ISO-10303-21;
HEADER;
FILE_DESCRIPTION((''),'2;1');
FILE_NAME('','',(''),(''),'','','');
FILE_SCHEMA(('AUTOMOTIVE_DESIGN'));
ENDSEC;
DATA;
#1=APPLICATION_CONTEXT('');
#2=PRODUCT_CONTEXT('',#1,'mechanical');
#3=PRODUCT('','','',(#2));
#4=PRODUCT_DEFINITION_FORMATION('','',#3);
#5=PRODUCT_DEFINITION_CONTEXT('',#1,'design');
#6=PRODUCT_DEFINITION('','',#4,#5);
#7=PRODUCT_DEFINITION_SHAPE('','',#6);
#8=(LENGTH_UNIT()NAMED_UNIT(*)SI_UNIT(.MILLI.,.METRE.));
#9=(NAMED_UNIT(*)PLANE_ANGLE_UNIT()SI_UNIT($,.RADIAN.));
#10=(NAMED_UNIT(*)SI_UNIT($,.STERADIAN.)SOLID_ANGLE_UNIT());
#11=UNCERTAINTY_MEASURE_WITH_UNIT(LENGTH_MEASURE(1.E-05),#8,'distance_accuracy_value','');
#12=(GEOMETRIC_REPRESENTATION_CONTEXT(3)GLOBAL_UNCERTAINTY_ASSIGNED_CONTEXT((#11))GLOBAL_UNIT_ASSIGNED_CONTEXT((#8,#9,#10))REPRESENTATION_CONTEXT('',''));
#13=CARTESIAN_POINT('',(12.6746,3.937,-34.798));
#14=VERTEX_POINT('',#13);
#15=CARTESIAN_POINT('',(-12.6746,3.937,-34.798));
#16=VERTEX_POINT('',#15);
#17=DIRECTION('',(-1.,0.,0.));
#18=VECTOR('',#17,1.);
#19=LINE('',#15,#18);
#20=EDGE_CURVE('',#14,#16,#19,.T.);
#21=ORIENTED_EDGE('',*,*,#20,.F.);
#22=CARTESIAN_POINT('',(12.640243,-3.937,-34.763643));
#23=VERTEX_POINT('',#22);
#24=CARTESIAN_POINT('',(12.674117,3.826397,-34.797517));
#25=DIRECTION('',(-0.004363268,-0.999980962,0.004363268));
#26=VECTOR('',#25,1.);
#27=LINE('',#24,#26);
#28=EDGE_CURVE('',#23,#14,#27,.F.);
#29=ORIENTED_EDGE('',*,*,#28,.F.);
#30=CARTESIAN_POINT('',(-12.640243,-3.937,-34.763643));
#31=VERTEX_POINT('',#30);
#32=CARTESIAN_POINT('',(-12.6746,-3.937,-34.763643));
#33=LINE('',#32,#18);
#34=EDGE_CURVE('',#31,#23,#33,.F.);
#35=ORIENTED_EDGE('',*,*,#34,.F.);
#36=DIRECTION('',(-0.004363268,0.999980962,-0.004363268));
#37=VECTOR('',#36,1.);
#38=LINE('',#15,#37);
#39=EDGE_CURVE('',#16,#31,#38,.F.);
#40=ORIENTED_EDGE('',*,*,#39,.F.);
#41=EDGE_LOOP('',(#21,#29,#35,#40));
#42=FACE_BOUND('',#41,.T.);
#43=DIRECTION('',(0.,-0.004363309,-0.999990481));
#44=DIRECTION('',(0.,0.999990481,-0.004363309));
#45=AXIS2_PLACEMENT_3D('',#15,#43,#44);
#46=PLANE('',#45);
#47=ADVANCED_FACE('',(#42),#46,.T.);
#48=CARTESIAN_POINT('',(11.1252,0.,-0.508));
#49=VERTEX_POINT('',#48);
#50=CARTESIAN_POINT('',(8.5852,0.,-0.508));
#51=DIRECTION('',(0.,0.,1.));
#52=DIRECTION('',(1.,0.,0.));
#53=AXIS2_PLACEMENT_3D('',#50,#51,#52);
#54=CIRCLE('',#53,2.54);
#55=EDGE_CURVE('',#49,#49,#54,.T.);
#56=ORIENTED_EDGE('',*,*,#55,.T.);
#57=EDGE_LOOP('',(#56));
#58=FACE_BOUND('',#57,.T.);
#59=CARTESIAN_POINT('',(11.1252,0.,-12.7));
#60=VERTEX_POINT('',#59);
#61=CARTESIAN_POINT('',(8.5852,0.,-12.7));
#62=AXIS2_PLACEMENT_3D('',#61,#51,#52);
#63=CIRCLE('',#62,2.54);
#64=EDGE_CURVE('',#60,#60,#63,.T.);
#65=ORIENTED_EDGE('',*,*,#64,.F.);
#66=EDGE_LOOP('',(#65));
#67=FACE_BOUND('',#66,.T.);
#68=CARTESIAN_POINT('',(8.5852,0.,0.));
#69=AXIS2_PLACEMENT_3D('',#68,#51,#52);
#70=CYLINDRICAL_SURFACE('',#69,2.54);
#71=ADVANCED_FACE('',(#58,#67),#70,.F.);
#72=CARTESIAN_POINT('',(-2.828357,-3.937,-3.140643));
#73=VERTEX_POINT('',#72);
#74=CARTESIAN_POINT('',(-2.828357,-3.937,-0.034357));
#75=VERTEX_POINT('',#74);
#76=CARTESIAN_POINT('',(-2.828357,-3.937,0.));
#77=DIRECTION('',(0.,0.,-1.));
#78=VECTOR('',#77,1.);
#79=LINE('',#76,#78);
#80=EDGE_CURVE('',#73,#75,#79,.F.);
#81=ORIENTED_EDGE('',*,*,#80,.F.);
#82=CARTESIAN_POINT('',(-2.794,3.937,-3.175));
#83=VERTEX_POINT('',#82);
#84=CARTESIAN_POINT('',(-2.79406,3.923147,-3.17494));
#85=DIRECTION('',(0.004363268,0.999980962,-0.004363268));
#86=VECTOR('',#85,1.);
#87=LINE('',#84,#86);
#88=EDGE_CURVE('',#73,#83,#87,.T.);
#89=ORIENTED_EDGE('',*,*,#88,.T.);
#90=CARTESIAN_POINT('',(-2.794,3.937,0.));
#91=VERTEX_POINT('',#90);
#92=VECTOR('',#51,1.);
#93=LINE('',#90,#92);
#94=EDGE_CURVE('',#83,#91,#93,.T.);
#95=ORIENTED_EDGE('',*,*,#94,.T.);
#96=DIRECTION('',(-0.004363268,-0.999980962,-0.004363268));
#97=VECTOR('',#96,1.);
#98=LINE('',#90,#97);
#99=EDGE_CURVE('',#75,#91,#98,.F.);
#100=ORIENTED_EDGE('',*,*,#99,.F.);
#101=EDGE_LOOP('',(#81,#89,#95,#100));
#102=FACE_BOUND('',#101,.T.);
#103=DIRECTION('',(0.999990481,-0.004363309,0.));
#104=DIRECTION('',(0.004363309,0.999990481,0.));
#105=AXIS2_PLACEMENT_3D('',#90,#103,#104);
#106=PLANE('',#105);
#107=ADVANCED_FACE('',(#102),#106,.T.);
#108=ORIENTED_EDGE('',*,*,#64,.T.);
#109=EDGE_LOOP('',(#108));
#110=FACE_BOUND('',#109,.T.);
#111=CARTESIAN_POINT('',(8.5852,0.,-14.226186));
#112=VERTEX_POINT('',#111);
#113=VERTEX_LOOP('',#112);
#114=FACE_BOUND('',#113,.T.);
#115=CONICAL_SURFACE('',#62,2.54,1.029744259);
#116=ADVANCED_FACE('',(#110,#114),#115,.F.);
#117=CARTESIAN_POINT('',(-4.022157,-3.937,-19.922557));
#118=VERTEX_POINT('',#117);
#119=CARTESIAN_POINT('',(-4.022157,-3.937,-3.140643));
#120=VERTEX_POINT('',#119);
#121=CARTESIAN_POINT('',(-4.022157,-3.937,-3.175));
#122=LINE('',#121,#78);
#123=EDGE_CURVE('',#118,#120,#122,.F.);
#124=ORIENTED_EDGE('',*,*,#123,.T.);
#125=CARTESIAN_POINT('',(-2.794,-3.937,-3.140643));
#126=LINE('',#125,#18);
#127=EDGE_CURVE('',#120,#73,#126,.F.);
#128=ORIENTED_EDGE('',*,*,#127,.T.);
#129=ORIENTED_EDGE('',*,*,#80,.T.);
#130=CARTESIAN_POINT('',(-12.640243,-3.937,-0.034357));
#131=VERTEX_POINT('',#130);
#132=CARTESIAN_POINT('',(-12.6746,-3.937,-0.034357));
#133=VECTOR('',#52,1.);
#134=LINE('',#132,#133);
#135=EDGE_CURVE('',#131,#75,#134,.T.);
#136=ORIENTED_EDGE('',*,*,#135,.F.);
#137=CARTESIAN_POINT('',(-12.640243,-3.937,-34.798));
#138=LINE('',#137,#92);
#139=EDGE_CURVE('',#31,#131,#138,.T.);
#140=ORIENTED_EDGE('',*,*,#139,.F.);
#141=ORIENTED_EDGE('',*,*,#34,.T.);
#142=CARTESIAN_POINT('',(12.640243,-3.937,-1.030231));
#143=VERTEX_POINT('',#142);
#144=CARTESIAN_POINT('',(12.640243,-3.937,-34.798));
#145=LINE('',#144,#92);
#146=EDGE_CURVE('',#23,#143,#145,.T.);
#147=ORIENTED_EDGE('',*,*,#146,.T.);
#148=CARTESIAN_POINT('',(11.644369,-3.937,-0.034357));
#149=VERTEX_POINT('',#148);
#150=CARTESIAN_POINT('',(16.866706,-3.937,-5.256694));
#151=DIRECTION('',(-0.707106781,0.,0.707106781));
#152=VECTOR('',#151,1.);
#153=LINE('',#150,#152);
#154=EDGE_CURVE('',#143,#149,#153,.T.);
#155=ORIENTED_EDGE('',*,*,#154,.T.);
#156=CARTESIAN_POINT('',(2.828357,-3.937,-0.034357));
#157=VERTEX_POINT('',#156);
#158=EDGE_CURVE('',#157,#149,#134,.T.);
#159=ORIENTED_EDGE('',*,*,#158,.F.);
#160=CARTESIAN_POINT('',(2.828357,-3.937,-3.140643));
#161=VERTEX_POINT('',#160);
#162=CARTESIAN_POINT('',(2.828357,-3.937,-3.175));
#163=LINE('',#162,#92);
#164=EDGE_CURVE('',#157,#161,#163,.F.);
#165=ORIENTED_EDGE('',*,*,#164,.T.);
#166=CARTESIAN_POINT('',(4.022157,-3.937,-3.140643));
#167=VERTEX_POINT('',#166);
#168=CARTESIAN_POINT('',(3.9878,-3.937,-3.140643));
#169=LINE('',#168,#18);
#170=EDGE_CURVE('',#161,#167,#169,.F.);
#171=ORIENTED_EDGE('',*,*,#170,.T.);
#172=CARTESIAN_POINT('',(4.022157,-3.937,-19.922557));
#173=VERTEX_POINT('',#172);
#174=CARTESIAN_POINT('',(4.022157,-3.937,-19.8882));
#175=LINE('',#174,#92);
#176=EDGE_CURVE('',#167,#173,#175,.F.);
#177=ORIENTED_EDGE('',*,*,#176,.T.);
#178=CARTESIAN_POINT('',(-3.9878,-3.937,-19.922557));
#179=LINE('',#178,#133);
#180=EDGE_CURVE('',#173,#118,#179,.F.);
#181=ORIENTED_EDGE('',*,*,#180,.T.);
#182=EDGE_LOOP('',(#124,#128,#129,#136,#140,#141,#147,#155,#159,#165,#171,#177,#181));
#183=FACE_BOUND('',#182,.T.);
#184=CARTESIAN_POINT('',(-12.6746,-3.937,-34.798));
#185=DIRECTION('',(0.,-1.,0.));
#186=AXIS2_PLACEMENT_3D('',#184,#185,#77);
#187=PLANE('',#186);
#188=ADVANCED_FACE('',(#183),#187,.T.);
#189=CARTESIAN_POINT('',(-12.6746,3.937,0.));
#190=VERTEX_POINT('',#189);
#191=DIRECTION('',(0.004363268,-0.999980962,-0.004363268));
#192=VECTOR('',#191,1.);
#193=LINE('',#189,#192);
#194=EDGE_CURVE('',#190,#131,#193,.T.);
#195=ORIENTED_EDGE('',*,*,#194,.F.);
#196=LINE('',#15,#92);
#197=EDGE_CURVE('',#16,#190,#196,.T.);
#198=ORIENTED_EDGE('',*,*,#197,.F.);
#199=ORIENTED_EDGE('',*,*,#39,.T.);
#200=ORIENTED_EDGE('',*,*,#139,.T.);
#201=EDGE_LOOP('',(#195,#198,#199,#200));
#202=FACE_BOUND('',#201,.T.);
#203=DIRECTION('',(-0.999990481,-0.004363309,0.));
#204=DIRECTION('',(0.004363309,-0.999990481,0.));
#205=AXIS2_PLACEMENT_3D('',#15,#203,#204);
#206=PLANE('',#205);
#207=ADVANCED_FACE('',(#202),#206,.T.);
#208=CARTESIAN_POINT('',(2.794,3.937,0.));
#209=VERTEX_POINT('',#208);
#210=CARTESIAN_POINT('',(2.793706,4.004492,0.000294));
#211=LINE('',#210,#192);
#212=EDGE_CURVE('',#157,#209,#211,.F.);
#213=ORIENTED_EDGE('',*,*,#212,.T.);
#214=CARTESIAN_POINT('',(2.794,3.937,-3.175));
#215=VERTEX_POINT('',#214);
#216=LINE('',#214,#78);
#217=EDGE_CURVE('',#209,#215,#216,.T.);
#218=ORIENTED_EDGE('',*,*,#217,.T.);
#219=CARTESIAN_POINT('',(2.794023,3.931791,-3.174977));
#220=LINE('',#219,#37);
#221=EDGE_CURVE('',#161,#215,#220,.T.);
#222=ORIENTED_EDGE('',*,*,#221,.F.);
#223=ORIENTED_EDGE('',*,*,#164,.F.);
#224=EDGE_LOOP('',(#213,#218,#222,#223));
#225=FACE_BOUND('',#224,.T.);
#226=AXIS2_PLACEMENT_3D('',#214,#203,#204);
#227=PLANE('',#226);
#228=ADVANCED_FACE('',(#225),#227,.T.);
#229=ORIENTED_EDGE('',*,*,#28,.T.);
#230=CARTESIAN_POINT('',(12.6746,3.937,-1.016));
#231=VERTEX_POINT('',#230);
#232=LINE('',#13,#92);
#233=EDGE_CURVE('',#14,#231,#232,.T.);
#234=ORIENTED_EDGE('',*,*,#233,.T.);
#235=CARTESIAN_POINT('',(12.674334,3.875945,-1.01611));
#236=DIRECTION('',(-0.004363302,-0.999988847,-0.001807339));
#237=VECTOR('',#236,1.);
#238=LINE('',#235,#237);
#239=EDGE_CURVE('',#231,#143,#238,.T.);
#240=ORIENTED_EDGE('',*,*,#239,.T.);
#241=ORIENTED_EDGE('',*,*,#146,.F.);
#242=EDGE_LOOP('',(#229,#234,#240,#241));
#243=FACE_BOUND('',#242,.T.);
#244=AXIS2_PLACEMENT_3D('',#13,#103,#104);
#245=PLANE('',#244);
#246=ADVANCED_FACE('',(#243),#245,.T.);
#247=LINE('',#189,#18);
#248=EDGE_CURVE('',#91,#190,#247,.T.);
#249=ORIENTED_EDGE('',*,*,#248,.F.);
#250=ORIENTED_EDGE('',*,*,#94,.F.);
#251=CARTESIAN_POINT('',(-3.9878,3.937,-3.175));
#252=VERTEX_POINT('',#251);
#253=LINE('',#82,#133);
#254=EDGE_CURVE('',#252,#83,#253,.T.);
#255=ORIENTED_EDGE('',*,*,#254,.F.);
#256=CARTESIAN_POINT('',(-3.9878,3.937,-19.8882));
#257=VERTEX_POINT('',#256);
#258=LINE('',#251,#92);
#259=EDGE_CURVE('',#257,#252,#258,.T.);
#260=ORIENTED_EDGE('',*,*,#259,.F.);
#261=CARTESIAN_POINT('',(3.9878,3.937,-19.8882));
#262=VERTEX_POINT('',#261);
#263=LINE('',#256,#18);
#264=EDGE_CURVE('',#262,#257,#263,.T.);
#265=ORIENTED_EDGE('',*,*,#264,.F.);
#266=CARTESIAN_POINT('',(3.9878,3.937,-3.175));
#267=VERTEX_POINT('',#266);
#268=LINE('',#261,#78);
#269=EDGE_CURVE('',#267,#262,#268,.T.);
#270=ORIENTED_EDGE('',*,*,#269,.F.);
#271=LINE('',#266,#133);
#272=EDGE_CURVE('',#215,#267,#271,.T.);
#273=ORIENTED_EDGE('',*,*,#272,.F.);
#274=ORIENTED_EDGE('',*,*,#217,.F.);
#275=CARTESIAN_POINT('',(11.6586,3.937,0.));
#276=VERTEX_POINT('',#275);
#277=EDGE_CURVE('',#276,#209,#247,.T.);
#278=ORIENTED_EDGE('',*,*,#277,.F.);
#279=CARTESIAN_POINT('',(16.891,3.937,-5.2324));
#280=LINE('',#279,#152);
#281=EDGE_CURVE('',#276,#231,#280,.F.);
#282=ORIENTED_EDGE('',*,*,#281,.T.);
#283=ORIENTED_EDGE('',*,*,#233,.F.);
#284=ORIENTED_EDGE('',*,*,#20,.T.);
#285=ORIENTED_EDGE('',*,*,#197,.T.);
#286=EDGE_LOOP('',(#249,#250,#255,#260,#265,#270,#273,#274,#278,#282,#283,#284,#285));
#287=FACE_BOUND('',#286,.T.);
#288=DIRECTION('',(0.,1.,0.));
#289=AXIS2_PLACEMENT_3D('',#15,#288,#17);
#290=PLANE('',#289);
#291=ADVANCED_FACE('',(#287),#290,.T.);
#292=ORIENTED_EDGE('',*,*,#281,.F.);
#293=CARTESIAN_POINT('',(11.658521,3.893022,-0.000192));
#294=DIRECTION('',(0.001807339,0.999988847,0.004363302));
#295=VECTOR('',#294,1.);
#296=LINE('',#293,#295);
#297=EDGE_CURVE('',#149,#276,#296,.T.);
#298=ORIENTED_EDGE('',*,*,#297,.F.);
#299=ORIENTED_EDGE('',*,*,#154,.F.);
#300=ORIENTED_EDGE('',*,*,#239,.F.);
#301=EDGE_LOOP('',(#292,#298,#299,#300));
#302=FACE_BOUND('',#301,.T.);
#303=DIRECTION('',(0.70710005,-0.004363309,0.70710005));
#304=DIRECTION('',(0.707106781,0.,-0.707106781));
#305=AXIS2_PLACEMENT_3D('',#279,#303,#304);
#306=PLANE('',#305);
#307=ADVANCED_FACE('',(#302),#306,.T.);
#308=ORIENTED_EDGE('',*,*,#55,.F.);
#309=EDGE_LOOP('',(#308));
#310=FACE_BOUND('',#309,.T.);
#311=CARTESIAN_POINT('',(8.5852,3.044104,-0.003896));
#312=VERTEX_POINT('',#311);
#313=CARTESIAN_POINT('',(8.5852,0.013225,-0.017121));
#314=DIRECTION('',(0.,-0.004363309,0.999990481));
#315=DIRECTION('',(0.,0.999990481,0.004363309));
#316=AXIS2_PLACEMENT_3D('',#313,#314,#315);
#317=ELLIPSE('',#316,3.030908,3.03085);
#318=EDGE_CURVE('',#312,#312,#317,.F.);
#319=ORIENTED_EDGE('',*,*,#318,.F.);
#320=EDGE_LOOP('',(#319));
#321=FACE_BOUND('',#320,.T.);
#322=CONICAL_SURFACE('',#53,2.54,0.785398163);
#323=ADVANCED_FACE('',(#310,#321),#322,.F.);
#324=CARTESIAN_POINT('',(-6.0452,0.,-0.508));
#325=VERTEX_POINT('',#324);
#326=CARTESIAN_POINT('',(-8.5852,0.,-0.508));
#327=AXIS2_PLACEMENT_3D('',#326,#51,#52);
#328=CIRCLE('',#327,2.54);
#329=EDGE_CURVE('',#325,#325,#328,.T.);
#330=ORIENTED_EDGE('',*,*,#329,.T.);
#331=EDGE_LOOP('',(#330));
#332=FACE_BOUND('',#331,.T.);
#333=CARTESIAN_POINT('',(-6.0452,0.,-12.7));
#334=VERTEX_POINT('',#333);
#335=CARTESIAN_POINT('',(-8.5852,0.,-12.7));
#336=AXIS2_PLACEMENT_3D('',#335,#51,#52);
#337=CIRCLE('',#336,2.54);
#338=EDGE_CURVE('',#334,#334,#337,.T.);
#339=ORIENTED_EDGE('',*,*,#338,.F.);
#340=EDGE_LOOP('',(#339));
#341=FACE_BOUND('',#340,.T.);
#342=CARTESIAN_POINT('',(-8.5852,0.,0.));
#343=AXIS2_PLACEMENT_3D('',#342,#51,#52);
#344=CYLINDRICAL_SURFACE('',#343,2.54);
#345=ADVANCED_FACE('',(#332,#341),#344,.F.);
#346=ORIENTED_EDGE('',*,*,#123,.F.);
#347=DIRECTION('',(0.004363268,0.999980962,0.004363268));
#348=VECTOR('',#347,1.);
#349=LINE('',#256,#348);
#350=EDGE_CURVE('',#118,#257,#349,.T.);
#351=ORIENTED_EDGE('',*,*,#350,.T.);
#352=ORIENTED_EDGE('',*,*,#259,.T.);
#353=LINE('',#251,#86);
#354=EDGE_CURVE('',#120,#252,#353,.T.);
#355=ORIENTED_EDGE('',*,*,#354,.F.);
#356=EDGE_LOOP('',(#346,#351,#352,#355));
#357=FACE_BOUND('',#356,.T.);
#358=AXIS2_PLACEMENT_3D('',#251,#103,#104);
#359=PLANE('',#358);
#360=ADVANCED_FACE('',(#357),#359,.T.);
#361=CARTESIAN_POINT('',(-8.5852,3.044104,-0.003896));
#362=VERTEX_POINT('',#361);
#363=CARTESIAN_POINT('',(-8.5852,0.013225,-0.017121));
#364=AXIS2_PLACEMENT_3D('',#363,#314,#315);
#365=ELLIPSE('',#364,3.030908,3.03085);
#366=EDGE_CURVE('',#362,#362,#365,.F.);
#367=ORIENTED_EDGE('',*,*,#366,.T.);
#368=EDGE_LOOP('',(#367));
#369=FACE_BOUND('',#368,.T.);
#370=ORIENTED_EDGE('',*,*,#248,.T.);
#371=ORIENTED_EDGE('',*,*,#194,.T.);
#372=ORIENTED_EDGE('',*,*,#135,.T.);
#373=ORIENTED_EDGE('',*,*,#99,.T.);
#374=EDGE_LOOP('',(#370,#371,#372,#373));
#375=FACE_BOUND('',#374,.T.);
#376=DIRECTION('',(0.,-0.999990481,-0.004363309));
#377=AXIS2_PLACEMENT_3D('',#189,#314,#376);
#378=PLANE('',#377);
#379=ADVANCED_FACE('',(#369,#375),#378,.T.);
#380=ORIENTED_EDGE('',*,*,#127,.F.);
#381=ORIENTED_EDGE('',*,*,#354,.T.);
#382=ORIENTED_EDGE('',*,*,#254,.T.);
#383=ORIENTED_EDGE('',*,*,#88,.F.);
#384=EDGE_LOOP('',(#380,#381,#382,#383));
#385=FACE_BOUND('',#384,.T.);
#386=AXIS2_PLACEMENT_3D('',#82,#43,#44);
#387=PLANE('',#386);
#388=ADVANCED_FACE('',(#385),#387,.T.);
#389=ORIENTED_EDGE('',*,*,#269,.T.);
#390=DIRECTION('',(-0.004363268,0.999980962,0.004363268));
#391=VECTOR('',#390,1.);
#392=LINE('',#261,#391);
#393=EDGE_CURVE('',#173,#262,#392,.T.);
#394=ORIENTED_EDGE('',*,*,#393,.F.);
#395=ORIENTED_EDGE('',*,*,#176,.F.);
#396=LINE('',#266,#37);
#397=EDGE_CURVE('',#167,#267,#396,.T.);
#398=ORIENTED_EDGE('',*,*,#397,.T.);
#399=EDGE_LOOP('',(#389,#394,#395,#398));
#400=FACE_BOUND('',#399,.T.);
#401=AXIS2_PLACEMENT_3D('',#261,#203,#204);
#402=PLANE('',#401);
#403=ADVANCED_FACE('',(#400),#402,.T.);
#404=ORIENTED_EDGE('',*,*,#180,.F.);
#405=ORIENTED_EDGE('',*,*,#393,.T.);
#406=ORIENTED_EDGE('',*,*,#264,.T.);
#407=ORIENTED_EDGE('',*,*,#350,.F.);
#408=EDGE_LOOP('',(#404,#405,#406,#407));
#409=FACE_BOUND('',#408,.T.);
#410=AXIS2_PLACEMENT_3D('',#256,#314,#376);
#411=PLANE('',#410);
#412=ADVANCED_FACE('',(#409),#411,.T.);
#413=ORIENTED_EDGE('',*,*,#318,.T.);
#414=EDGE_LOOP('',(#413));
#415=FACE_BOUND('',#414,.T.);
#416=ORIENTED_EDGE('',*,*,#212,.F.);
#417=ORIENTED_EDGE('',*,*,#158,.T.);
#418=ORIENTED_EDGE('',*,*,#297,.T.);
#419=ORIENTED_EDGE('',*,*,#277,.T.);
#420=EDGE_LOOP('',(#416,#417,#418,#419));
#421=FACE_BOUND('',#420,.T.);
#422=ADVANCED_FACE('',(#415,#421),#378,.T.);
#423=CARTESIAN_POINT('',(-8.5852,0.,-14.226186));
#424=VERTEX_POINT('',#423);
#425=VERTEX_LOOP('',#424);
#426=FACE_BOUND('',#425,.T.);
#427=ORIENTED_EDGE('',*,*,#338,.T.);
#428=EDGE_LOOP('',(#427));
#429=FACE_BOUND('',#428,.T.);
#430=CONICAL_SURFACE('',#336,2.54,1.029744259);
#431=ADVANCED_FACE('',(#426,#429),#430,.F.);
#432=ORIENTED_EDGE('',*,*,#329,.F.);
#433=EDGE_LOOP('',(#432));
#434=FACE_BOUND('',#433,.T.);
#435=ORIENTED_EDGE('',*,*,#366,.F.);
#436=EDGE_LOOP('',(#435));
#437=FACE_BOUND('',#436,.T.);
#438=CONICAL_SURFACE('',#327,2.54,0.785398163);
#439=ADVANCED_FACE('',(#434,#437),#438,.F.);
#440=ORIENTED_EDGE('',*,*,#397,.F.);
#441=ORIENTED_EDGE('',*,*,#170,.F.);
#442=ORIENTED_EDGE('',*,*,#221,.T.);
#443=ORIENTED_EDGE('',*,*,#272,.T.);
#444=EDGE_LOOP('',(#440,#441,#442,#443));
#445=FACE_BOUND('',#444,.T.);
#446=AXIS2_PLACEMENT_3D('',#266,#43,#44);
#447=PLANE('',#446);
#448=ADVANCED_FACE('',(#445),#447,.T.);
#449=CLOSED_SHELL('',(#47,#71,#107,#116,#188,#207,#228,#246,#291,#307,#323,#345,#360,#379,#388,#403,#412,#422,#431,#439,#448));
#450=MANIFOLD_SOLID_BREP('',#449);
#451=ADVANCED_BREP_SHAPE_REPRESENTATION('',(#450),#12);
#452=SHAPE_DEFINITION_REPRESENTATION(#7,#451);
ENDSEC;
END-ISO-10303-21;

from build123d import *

# Parameters (mm, degrees)
SKETCH1_W                        = 25.3492
SKETCH1_H                        = 7.874
BOSS_EXTRUDE1_DEPTH              = 34.798
CUT_EXTRUDE1_DEPTH               = 8.874
F_97_0_0059_DIAMETER_HOLE1_D     = 5.08
F_97_0_0059_DIAMETER_HOLE1_DEPTH = 12.7
F_97_0_0059_DIAMETER_HOLE1_TIP   = 1.526185972
CHAMFER1_SIZE                    = 0.508
CHAMFER2_SIZE                    = 1.016
DRAFT1_ANGLE                     = -0.25


with BuildPart() as part:
    # Sketch1 → Boss-Extrude1 (new body)
    with BuildSketch(Plane.XY):
        Rectangle(SKETCH1_W, SKETCH1_H)
    extrude(amount=-BOSS_EXTRUDE1_DEPTH)

    # Sketch2 → Cut-Extrude1 (cut, through all)
    with BuildSketch(Plane(origin=(0, 3.937, 0), x_dir=(1, 0, 0), z_dir=(0, 1, 0))):
        Polygon((-2.794, 0), (-2.794, 3.175), (-3.9878, 3.175), (-3.9878, 19.8882), (3.9878, 19.8882), (3.9878, 3.175), (2.794, 3.175), (2.794, 0), align=None)
    extrude(amount=-CUT_EXTRUDE1_DEPTH, mode=Mode.SUBTRACT)

    # #97 (0.0059) Diameter Hole1
    with Locations(Plane.XY):
        with Locations((-8.5852, 0), (8.5852, 0)):
            Hole(F_97_0_0059_DIAMETER_HOLE1_D / 2, depth=F_97_0_0059_DIAMETER_HOLE1_DEPTH)
            with Locations((0, 0, -(F_97_0_0059_DIAMETER_HOLE1_DEPTH + F_97_0_0059_DIAMETER_HOLE1_TIP / 2))):  # 118° drill point
                Cone(0, F_97_0_0059_DIAMETER_HOLE1_D / 2, F_97_0_0059_DIAMETER_HOLE1_TIP, mode=Mode.SUBTRACT)

    # Chamfer1
    chamfer1_edges = [part.edges().sort_by_distance(p)[0] for p in [
        (11.1252, 0, 0),
        (-6.0452, 0, 0),
    ]]
    chamfer(chamfer1_edges, length=CHAMFER1_SIZE)

    # Chamfer2
    chamfer2_edges = [part.edges().sort_by_distance(p)[0] for p in [
        (12.6746, 0, 0),
    ]]
    chamfer(chamfer2_edges, length=CHAMFER2_SIZE)

    # Draft1
    draft1_faces = [part.faces().sort_by_distance(p)[0] for p in [
        (12.1666, 0, -0.508),
        (7.2263, 3.818433137, 0),
        (-5.410856764, 0, 0),
        (0, 0, -34.798),
        (-12.6746, 0, -17.399),
        (12.6746, 0, -17.907),
        (-3.3909, 0, -3.175),
        (3.3909, 0, -3.175),
        (2.794, 0, -1.5875),
        (3.9878, 0, -11.5316),
        (-2.794, 0, -1.5875),
        (0, 0, -19.8882),
        (-3.9878, 0, -11.5316),
    ]]
    draft(draft1_faces, Plane(origin=(-12.6746, 3.937, -34.798), x_dir=(1, 0, 0), z_dir=(0, 1, 0)), DRAFT1_ANGLE)


solid = part.part
